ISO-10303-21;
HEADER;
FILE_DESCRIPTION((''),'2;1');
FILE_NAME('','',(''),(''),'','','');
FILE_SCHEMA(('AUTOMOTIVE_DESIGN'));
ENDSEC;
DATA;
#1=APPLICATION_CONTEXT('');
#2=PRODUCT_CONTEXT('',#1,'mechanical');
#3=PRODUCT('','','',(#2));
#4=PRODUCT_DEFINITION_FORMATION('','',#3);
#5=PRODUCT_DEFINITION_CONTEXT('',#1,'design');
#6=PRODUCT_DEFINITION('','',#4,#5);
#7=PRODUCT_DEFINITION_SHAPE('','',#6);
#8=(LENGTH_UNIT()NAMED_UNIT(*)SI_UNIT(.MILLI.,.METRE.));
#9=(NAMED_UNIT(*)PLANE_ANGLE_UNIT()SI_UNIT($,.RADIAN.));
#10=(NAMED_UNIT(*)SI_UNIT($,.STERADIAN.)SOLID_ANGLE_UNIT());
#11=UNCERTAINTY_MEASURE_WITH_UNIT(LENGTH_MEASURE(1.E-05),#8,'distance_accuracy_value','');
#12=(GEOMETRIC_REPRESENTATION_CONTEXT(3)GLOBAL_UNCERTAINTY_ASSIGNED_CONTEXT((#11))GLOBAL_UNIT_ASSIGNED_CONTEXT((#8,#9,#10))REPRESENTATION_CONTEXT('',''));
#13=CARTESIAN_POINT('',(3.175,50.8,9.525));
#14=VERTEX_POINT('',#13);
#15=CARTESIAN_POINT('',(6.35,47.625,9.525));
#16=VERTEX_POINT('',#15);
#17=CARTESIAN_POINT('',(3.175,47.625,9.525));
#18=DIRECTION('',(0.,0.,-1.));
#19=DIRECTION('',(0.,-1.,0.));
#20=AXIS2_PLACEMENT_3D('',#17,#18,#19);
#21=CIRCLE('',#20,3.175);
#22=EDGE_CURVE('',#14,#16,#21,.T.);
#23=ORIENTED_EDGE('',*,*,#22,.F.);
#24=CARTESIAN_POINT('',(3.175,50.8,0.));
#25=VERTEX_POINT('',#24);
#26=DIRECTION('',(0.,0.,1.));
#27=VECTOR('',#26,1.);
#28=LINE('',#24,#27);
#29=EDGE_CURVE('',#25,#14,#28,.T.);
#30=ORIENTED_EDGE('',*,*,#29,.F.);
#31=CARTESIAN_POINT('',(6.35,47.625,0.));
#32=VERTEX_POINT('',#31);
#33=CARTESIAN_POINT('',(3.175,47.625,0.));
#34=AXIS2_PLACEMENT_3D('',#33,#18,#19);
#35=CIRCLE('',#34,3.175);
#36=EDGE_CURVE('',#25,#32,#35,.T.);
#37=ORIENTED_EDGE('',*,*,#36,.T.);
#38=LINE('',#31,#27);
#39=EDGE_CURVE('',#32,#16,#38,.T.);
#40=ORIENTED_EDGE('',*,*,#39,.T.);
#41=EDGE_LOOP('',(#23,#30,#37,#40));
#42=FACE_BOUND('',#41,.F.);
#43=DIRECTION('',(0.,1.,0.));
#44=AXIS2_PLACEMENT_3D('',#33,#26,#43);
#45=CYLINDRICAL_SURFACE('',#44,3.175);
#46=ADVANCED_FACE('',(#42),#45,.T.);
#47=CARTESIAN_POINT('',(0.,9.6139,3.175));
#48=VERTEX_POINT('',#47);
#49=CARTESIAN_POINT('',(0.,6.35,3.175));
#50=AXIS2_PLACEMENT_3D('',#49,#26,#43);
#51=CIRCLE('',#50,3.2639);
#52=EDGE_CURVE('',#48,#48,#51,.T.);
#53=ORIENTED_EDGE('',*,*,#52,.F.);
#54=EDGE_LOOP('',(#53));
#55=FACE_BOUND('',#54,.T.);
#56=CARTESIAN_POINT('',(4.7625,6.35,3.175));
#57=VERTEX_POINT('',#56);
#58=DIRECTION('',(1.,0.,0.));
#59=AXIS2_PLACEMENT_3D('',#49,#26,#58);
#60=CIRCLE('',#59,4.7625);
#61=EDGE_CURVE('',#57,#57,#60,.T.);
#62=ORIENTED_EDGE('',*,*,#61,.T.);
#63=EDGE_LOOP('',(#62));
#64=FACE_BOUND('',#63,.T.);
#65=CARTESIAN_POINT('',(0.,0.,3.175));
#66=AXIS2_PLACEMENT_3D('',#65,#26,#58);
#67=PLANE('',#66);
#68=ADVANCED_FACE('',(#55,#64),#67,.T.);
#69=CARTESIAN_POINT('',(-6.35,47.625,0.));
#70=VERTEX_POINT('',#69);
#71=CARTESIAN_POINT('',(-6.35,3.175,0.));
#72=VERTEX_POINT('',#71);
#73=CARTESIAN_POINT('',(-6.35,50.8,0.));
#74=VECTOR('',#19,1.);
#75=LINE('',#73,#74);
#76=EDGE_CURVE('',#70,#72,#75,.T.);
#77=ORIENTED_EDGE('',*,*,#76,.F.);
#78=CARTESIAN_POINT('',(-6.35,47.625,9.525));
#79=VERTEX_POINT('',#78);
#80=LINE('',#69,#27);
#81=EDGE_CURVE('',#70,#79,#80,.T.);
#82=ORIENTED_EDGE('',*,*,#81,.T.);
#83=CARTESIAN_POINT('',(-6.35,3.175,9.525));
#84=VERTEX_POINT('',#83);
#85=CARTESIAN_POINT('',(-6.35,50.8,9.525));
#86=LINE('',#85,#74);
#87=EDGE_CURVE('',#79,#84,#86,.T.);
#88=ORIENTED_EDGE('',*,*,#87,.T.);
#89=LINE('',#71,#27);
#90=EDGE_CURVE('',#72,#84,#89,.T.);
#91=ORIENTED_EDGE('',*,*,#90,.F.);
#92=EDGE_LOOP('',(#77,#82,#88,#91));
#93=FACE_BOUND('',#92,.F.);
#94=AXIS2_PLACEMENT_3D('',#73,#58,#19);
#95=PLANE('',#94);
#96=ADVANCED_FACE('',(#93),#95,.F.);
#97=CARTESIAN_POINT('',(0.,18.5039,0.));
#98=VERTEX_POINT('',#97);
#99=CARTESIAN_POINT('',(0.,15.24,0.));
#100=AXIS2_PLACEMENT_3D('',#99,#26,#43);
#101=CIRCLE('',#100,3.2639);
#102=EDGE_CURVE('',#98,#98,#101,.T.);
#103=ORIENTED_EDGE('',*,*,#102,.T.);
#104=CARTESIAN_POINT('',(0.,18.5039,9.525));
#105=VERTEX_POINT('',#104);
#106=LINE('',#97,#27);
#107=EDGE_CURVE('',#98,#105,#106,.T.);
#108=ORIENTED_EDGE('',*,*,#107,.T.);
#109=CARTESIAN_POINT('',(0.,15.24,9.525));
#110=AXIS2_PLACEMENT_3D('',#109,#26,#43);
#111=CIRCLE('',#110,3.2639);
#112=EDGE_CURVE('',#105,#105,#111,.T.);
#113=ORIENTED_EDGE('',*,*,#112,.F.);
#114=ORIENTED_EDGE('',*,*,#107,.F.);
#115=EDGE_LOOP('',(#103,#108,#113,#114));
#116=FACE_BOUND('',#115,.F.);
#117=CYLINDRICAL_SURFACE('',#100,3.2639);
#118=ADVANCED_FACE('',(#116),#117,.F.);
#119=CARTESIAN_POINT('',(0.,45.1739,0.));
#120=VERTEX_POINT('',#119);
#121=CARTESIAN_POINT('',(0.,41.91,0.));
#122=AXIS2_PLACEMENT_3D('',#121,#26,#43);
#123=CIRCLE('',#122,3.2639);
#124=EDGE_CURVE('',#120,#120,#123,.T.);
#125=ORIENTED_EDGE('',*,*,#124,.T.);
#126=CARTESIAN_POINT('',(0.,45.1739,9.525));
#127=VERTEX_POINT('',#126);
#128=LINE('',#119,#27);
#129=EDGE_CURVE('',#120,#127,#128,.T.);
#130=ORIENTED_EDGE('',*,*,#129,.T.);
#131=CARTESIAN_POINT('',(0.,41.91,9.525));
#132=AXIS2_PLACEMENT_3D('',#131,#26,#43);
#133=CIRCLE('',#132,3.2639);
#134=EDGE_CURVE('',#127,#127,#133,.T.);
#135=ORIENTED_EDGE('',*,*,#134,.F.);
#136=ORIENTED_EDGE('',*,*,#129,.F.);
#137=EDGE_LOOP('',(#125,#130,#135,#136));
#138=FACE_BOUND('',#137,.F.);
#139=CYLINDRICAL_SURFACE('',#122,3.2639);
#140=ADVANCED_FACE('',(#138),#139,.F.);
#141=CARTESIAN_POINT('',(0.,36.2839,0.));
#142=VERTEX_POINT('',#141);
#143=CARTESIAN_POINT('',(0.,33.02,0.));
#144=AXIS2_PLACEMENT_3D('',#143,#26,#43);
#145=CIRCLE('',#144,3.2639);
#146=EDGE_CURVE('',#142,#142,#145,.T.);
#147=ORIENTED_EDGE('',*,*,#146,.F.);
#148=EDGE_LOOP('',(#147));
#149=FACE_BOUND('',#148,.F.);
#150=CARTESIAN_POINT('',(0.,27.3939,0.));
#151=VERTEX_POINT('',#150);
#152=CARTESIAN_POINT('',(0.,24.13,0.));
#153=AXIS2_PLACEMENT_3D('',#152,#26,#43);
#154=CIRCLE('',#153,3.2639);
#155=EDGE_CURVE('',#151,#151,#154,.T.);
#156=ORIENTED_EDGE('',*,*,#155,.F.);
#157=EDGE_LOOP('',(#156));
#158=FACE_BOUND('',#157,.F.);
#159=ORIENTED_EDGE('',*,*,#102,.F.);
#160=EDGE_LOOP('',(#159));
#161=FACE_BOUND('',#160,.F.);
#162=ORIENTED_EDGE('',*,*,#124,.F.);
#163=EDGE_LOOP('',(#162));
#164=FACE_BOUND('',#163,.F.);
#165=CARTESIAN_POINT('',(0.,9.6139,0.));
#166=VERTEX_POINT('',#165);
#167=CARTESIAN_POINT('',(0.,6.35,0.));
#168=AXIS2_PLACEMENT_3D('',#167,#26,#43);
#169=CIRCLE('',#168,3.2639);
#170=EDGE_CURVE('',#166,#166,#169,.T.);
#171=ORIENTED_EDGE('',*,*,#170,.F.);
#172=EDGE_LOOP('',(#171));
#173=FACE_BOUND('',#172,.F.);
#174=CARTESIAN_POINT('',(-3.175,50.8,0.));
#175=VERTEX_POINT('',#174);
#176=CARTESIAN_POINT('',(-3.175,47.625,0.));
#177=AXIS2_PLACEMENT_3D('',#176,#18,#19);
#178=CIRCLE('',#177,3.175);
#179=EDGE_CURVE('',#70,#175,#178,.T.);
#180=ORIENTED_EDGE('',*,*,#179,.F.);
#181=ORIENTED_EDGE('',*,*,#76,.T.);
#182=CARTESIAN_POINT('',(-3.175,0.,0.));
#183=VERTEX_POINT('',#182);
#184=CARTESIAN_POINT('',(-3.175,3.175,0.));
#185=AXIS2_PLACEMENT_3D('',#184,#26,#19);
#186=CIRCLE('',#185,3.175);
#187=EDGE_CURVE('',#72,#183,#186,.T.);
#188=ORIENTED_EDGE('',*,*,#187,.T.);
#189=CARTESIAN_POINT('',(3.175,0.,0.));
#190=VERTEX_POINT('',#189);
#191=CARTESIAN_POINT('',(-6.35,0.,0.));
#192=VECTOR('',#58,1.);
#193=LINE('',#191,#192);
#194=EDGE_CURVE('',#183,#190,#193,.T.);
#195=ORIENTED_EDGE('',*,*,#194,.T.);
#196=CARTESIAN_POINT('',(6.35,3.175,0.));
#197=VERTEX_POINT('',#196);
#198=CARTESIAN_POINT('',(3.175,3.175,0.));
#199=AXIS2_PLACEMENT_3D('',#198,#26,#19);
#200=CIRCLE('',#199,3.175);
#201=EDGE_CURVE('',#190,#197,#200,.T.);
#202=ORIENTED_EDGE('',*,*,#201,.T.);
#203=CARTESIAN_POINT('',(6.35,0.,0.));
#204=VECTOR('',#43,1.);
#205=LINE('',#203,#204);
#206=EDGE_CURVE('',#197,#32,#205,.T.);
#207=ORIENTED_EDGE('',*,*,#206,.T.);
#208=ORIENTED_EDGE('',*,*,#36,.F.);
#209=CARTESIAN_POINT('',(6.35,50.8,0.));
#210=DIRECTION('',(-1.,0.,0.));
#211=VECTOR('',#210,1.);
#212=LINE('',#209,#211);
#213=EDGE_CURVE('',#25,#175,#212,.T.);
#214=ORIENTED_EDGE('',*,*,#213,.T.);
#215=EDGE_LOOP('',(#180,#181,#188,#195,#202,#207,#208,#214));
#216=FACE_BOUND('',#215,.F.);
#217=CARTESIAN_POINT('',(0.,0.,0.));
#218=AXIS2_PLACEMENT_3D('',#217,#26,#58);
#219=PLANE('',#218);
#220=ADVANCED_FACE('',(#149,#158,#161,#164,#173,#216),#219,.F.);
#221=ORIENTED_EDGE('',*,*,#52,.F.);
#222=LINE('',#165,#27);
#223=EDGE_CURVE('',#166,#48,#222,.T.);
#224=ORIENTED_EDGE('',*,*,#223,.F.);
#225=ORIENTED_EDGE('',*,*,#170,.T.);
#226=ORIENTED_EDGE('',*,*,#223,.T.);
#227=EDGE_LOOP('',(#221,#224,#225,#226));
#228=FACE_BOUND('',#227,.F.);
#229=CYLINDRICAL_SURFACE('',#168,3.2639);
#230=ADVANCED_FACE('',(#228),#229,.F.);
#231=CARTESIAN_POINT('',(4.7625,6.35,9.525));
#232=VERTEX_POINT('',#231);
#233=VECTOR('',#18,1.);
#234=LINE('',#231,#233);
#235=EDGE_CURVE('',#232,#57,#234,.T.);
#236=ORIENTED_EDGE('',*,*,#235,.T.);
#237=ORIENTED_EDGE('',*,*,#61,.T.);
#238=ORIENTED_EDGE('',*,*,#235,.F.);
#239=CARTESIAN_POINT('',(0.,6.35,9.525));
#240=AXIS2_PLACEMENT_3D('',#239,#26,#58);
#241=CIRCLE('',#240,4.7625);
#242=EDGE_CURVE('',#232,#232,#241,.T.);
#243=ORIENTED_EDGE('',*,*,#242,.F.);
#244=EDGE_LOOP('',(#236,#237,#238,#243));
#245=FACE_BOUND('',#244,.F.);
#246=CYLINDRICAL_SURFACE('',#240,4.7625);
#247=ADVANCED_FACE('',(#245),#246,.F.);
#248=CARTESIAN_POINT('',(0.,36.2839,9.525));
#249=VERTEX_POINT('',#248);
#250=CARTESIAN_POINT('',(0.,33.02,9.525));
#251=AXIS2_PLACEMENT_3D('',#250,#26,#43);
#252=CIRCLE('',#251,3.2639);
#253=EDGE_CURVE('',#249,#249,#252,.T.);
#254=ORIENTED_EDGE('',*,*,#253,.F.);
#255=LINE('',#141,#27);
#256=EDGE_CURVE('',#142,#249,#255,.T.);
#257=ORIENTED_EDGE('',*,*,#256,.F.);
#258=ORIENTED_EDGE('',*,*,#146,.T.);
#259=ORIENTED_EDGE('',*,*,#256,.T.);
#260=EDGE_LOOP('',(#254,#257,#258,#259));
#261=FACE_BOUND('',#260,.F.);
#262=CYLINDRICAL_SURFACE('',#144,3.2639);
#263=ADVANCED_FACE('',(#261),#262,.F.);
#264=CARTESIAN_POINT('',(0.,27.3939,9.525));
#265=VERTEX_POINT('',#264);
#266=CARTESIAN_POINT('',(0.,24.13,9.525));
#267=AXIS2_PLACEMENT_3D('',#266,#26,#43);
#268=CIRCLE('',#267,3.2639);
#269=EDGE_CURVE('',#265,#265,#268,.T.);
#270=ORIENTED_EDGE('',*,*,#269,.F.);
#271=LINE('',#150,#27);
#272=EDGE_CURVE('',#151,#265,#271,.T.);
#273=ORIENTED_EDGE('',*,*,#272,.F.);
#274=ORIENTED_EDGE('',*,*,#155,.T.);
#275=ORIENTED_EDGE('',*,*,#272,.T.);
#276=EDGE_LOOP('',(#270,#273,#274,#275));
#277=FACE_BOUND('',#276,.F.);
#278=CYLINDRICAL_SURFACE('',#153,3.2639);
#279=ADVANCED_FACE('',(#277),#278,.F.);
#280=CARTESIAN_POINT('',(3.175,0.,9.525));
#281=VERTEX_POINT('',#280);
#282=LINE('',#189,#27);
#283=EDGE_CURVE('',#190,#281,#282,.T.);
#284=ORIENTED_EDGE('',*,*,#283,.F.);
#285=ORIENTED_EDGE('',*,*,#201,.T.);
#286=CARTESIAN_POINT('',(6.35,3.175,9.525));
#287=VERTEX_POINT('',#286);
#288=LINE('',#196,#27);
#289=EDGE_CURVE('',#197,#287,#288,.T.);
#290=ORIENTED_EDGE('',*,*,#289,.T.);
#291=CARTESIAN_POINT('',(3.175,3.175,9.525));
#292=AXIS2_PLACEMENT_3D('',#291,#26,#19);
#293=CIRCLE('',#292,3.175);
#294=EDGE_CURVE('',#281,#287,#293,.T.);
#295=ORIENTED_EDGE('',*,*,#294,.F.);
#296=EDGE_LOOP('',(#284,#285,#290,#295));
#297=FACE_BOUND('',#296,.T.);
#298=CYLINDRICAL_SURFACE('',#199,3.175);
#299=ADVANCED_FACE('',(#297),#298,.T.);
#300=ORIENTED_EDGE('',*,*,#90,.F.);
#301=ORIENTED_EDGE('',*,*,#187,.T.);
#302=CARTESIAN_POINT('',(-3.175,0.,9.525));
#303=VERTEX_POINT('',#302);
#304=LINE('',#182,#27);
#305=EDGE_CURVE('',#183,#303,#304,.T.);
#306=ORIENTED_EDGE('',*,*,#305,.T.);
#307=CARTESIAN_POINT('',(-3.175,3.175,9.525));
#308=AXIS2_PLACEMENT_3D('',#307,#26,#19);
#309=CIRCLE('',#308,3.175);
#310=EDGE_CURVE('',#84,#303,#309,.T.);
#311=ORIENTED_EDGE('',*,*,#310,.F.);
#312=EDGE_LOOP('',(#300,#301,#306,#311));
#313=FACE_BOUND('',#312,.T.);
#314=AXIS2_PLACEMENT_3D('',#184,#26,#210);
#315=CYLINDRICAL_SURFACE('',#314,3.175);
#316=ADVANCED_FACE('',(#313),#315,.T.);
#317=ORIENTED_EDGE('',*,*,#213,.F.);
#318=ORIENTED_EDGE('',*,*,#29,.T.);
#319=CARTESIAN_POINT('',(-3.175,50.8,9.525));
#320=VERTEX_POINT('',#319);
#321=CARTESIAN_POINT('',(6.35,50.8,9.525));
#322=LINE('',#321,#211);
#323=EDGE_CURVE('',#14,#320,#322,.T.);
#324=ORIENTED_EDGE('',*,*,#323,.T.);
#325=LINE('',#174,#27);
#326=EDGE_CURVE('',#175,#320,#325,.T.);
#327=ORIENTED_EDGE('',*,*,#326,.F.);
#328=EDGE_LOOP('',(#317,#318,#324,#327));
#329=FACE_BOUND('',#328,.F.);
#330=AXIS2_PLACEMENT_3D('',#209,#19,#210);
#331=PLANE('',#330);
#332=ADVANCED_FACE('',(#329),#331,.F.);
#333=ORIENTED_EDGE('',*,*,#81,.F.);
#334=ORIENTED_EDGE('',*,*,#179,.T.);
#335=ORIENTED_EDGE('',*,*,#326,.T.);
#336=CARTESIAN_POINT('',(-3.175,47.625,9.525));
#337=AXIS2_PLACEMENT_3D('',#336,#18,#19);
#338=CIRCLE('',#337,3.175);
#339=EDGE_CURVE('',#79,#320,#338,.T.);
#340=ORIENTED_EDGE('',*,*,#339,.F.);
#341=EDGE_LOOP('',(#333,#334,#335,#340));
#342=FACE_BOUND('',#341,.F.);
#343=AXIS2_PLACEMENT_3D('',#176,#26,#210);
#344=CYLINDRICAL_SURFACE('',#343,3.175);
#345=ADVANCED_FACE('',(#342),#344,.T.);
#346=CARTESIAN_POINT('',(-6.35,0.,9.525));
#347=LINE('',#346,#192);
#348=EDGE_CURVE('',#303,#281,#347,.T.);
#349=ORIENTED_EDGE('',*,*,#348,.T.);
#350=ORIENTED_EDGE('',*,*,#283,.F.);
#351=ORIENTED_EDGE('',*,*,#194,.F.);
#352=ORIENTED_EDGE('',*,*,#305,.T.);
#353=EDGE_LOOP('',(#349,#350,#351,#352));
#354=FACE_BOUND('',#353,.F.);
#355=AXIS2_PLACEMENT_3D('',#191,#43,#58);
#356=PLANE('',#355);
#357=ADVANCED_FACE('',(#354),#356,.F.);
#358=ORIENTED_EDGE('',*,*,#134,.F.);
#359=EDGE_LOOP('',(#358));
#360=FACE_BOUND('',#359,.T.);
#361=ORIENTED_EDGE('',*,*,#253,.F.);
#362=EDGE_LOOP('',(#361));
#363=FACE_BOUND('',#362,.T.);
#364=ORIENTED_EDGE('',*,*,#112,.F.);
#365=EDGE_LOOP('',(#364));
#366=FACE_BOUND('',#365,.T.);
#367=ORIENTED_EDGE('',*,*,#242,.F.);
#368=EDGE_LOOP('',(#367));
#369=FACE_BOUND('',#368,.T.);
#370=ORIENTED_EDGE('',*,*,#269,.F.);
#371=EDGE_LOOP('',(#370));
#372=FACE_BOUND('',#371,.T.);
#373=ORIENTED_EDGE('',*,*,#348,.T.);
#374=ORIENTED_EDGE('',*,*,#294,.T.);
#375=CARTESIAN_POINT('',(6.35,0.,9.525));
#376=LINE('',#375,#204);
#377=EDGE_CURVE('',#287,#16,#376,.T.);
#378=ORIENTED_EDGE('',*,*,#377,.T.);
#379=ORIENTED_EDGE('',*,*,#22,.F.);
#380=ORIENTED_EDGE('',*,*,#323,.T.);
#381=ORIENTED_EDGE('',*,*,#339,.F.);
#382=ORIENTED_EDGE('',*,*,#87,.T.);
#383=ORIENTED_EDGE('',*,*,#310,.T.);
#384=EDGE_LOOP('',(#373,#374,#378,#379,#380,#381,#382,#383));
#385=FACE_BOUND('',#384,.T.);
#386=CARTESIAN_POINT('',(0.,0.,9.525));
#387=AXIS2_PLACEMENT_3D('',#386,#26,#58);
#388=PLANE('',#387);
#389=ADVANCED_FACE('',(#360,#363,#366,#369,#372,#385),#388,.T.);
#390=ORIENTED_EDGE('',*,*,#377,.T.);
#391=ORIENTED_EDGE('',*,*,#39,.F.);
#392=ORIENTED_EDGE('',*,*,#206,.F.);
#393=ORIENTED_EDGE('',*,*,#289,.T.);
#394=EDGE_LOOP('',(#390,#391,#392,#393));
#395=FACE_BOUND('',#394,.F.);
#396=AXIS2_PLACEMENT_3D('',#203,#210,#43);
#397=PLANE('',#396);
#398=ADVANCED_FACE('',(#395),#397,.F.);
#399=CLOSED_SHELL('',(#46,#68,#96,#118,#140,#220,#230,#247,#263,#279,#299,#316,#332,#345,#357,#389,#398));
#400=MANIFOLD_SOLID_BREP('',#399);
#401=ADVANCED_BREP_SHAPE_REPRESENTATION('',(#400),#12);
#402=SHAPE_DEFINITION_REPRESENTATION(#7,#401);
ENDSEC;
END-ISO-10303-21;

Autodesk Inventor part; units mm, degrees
ref_plane "YZ Plane" through (0, 0, 0) normal (1, 0, 0) x (0, 1, 0)
ref_plane "XZ Plane" through (0, 0, 0) normal (0, 1, 0) x (-1, 0, 0)
ref_plane "XY Plane" through (0, 0, 0) normal (0, 0, 1) x (1, 0, 0)
sketch "Sketch1" plane through (0, 0, 0) normal (0, 0, 1) x (1, 0, 0)
  line L0 (-6.35, 0) -> (6.35, 0)
  line L1 (6.35, 0) -> (6.35, 50.8)
  line L2 (6.35, 50.8) -> (-6.35, 50.8)
  line L3 (-6.35, 50.8) -> (-6.35, 0)
  point P0 (0, 0)
  dimension "d6" = 50.8
  dimension "d7" = 12.7
  dimension "d22" = 6.35
extrude "Stock Bar" add sketch "Sketch1" along normal blind 9.525
sketch "Sketch4" plane through (0, 0, 0) normal (0, 0, -1) x (-1, 0, 0)
  line L0 (6.35, 0) -> (-6.35, 0) projected
  line L1 (-6.35, 0) -> (-6.35, 50.8) projected
  point P0 (0, 0)
  point P1 (0, 6.35)
  dimension "d13" = 6.35
  dimension "d14" = 6.35
hole "Motor Hole" at (0, 6.35, 0) direction (0, 0, 1) diameter 6.5278 end through all
sketch "Sketch6" plane through (0, 0, 9.525) normal (0, 0, 1) x (1, 0, 0)
  circle A0 centre (0, 6.35) radius 3.2639 projected
  circle A1 centre (0, 6.35) radius 4.7625
  point P0 (0, 0)
  dimension "d25" = 9.525
extrude "Motor Hole Secondary" cut sketch "Sketch6" against normal blind 6.35
sketch "Sketch5" plane through (0, 0, 9.525) normal (0, 0, 1) x (1, 0, 0)
  line L0 (-6.35, 50.8) -> (-6.35, 0) projected
  line L1 (-6.35, 25.4) -> (6.35, 25.4) construction
  line L2 (6.35, 0) -> (6.35, 50.8) projected
  point P0 (0, 0)
fillet "Round Edges" radius 3.175 4 edges at (-6.35, 50.8, 4.7625) (6.35, 50.8, 4.7625) (6.35, 0, 4.7625) (-6.35, 0, 4.7625)
pattern_linear "Mounting Holes" count 5 spacing 8.89 along (0, 1, 0) of "Motor Hole"
sketch "Sketch7" plane through (0, 0, 9.525) normal (0, 0, 1) x (1, 0, 0)
  line L0 (-6.35, 47.625) -> (-6.35, 3.175) projected
  line L1 (-6.35, 25.4) -> (6.35, 25.4) construction
  line L2 (6.35, 3.175) -> (6.35, 47.625) projected
  line L3 (0, 25.4) -> (0, 0) construction
  line L4 (-3.175, 0) -> (3.175, 0) projected
properties part number "Arm" material "Aluminum 6061"
